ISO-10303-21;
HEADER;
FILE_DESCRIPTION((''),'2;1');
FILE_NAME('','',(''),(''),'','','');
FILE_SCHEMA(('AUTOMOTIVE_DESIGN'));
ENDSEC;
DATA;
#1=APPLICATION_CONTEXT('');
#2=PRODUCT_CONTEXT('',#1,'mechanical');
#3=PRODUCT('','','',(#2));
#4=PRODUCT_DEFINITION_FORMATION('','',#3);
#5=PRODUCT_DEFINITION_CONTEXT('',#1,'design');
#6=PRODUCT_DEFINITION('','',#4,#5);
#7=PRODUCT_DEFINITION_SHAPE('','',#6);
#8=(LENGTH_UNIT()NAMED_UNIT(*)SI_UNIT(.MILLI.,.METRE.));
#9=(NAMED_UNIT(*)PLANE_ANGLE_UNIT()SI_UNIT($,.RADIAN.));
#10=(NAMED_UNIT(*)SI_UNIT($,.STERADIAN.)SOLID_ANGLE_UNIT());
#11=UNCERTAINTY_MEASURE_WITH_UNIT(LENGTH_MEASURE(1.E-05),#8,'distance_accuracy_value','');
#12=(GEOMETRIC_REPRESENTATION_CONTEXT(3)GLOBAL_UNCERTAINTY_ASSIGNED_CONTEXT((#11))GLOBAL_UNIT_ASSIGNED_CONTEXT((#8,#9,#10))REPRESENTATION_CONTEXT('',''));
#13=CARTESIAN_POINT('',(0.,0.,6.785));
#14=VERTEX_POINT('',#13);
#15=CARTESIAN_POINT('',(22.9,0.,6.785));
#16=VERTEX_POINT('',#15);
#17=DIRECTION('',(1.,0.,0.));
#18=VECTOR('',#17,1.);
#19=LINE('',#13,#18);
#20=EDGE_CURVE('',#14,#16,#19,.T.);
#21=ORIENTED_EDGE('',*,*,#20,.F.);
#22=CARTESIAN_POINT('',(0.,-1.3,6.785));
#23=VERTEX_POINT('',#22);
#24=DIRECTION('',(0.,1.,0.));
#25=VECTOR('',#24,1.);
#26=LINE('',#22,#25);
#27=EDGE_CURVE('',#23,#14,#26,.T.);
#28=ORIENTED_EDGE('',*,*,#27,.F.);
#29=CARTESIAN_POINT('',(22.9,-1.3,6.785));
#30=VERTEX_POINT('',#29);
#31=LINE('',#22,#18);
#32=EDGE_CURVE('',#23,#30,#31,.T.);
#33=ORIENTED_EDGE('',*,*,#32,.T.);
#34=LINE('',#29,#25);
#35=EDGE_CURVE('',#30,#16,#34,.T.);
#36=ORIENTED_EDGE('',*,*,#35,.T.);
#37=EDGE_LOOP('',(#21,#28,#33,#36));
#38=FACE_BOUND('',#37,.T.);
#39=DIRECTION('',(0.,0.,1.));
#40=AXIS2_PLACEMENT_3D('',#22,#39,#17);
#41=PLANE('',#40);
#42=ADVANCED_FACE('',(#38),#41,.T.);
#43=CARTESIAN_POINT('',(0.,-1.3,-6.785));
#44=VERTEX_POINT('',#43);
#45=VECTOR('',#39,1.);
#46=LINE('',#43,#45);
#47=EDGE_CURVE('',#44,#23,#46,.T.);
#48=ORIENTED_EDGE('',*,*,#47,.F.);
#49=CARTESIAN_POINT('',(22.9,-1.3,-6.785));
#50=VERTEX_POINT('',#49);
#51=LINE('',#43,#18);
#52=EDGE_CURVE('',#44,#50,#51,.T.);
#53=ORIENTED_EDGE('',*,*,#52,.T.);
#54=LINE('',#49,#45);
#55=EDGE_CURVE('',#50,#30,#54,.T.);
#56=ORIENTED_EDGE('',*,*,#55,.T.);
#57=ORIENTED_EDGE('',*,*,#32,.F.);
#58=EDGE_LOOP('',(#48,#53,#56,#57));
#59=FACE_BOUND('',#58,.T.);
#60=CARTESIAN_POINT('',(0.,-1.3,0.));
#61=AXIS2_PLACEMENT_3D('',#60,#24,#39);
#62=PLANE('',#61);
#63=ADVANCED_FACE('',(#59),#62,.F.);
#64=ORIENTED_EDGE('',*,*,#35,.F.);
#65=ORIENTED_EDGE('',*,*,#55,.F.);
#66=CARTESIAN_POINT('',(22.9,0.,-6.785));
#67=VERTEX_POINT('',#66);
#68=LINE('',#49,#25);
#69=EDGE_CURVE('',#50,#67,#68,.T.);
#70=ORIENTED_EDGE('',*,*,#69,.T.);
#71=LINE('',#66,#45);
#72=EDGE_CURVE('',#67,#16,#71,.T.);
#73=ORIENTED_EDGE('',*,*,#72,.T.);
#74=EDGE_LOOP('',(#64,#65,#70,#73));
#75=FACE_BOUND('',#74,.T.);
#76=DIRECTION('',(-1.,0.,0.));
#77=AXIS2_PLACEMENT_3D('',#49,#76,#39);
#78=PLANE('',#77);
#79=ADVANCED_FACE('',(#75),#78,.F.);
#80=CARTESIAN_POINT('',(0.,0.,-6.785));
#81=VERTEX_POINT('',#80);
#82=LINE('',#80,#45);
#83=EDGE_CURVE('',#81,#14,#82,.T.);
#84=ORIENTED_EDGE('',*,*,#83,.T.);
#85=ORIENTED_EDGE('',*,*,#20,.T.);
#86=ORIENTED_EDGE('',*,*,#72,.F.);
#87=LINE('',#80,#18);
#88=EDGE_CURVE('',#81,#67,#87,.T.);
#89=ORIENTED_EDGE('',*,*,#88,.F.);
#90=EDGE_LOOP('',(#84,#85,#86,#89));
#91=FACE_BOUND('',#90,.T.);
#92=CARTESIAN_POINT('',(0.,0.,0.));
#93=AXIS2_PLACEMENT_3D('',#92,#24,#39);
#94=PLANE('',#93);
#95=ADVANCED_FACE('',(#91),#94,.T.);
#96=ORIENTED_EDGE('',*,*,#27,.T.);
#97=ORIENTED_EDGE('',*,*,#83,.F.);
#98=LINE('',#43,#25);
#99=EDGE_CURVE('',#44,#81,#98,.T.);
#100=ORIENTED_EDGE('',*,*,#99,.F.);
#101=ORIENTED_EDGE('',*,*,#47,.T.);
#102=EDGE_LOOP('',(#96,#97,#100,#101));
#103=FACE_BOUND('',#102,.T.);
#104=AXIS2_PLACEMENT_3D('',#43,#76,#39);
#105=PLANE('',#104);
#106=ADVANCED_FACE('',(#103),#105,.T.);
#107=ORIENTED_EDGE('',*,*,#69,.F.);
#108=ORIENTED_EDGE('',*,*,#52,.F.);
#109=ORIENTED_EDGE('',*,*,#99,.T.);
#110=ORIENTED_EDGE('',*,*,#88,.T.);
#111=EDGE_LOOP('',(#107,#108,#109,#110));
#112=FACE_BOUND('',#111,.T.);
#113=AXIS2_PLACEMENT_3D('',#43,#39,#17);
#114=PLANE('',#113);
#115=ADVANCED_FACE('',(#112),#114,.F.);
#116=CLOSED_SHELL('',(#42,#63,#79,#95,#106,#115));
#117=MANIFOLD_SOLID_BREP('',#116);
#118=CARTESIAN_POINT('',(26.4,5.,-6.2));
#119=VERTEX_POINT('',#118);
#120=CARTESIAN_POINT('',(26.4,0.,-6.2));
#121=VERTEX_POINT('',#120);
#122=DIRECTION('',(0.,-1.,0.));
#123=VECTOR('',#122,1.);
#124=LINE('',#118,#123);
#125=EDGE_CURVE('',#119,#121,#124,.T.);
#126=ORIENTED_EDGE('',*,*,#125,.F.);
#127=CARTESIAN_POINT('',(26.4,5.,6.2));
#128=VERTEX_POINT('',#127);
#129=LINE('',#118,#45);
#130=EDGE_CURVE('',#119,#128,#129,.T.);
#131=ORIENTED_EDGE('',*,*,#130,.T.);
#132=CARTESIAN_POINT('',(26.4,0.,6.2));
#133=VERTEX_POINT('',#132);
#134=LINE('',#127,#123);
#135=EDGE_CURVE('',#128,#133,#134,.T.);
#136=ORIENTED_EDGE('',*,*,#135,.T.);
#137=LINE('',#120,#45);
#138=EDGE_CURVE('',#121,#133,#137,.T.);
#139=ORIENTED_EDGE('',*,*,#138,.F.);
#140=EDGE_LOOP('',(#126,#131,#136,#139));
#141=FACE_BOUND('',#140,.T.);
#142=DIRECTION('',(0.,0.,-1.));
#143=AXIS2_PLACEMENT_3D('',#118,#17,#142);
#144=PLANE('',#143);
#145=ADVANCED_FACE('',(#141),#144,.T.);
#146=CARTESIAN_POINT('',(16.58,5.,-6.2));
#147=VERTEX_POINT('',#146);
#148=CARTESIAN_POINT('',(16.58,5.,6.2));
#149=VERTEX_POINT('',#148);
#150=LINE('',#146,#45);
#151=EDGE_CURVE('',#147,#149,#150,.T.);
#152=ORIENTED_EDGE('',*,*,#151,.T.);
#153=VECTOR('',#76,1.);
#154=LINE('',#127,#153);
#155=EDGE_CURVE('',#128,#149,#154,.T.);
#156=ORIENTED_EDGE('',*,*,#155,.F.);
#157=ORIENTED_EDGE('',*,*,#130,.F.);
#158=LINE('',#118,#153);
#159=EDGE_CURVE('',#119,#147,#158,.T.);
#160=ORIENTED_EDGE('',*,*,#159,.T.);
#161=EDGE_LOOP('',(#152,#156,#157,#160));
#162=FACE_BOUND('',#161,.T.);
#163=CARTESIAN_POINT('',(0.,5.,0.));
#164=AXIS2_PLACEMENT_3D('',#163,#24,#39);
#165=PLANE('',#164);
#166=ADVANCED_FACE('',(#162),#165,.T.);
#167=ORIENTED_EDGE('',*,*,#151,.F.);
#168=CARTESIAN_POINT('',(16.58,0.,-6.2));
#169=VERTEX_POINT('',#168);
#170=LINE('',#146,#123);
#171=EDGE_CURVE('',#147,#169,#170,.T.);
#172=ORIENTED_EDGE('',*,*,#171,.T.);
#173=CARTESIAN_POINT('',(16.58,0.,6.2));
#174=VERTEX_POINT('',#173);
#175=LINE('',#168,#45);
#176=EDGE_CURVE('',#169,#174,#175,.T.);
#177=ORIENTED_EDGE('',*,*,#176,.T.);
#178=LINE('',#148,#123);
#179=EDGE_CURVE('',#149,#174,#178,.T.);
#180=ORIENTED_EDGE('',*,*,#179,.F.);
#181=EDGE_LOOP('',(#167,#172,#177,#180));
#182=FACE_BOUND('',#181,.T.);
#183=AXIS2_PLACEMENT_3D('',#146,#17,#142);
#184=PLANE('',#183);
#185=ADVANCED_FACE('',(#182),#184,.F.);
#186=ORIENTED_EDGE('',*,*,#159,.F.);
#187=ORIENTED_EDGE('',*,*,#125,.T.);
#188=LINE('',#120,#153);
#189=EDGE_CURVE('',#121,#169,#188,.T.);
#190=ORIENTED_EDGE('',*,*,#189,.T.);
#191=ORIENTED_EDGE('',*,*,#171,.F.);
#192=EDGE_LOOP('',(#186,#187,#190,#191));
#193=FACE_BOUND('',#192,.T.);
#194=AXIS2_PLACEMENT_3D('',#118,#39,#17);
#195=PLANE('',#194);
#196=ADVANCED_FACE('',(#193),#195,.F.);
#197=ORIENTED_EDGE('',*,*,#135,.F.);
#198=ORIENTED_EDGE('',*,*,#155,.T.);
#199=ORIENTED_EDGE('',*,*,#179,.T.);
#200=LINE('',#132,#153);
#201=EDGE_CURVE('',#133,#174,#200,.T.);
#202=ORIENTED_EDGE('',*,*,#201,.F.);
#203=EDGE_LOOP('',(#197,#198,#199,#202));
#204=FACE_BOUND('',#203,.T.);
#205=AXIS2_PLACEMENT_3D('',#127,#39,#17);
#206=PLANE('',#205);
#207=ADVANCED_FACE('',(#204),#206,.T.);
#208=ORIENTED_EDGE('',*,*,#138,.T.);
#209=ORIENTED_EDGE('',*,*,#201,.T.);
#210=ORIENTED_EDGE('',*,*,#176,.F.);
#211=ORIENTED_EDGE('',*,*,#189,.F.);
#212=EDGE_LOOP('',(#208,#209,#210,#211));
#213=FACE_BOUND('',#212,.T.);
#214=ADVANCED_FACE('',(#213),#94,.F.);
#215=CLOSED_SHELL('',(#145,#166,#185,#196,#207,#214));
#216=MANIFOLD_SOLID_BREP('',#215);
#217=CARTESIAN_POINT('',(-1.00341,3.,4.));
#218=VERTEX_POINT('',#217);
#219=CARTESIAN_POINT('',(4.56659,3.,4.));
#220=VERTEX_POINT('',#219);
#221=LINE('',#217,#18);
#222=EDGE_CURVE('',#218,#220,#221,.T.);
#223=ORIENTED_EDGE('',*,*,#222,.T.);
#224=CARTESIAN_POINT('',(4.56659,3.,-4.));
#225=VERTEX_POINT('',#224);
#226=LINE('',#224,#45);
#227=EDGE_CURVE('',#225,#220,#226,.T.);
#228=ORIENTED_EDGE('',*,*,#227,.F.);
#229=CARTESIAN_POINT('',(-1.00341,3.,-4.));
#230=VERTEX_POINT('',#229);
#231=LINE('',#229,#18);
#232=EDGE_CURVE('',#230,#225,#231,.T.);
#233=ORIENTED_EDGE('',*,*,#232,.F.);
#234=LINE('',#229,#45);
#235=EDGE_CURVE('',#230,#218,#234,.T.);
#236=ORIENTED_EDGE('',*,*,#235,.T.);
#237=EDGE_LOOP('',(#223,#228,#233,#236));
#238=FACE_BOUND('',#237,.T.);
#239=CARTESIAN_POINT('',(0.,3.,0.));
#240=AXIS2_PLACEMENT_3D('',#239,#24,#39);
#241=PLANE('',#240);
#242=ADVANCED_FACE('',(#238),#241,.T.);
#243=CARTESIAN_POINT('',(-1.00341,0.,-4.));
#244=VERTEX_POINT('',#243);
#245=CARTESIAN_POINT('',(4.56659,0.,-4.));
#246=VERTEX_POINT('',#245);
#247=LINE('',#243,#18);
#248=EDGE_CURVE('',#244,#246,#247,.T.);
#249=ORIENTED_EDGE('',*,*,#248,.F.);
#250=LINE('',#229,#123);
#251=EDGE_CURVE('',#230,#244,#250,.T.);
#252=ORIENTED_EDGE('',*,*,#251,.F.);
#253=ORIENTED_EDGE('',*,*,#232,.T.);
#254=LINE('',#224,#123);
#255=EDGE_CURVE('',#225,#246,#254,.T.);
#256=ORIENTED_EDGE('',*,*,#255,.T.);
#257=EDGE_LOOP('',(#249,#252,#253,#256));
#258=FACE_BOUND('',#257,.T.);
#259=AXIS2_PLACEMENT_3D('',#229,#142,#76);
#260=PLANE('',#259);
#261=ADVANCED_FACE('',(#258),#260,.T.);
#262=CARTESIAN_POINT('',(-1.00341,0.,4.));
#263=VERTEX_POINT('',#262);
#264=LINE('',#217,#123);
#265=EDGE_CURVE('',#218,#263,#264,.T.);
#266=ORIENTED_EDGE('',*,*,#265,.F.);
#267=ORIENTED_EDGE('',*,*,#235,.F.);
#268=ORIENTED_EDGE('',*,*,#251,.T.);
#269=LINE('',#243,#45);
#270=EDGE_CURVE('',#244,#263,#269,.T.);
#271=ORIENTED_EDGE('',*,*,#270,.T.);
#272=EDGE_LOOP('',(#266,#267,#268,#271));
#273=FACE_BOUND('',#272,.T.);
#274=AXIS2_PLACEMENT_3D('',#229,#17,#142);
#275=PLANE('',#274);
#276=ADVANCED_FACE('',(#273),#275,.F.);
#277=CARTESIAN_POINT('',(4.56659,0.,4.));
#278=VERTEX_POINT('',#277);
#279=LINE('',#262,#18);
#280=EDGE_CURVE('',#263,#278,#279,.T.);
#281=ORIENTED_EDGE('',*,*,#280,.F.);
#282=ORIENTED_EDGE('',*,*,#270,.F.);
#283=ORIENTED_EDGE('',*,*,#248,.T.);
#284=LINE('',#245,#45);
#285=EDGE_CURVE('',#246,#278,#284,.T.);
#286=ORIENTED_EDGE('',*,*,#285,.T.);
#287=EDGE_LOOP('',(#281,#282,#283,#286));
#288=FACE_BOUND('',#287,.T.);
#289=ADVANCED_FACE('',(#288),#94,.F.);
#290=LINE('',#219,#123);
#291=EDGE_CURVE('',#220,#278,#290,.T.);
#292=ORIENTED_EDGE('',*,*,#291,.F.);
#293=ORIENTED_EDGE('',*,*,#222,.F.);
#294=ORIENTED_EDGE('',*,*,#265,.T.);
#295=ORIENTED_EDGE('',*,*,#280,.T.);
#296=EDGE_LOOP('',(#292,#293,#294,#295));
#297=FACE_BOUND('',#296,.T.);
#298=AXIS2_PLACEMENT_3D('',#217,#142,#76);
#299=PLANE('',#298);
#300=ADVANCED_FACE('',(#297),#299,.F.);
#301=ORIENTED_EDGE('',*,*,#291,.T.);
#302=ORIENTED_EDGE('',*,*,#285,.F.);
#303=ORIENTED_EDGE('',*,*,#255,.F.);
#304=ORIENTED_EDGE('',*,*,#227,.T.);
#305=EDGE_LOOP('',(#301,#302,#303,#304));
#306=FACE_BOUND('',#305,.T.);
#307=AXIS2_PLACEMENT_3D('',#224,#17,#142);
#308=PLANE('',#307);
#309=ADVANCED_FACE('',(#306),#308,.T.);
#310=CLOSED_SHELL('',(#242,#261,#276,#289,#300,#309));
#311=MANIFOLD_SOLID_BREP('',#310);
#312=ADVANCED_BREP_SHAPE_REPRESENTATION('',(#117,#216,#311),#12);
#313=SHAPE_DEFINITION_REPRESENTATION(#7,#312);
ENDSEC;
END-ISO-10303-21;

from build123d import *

# Parameters (mm, degrees)
SKETCH1_W           = 22.9
SKETCH1_H           = 13.57
BOSS_EXTRUDE1_DEPTH = 1.3
SKETCH1_3_W         = 9.82
SKETCH1_3_H         = 12.4
BOSS_EXTRUDE2_DEPTH = 5
SKETCH1_4_W         = 5.57
SKETCH1_4_H         = 8
BOSS_EXTRUDE3_DEPTH = 3


with BuildPart() as part:
    # Sketch1 → Boss-Extrude1 (new body)
    with BuildSketch(Plane(origin=(0, 0, 0), x_dir=(1, 0, 0), z_dir=(0, 1, 0))):
        with Locations((11.45, 0)):
            Rectangle(SKETCH1_W, SKETCH1_H)
    extrude(amount=-BOSS_EXTRUDE1_DEPTH)


with BuildPart() as body_2:
    # Sketch1<3> → Boss-Extrude2 (new body)
    with BuildSketch(Plane(origin=(0, 0, 0), x_dir=(1, 0, 0), z_dir=(0, 1, 0))):
        with Locations((21.49, 0)):
            Rectangle(SKETCH1_3_W, SKETCH1_3_H)
    extrude(amount=BOSS_EXTRUDE2_DEPTH)


with BuildPart() as body_3:
    # Sketch1<4> → Boss-Extrude3 (new body)
    with BuildSketch(Plane(origin=(0, 0, 0), x_dir=(1, 0, 0), z_dir=(0, 1, 0))):
        with Locations((1.78159017, 0)):
            Rectangle(SKETCH1_4_W, SKETCH1_4_H)
    extrude(amount=BOSS_EXTRUDE3_DEPTH)


solid = Compound([part.part, body_2.part, body_3.part])
